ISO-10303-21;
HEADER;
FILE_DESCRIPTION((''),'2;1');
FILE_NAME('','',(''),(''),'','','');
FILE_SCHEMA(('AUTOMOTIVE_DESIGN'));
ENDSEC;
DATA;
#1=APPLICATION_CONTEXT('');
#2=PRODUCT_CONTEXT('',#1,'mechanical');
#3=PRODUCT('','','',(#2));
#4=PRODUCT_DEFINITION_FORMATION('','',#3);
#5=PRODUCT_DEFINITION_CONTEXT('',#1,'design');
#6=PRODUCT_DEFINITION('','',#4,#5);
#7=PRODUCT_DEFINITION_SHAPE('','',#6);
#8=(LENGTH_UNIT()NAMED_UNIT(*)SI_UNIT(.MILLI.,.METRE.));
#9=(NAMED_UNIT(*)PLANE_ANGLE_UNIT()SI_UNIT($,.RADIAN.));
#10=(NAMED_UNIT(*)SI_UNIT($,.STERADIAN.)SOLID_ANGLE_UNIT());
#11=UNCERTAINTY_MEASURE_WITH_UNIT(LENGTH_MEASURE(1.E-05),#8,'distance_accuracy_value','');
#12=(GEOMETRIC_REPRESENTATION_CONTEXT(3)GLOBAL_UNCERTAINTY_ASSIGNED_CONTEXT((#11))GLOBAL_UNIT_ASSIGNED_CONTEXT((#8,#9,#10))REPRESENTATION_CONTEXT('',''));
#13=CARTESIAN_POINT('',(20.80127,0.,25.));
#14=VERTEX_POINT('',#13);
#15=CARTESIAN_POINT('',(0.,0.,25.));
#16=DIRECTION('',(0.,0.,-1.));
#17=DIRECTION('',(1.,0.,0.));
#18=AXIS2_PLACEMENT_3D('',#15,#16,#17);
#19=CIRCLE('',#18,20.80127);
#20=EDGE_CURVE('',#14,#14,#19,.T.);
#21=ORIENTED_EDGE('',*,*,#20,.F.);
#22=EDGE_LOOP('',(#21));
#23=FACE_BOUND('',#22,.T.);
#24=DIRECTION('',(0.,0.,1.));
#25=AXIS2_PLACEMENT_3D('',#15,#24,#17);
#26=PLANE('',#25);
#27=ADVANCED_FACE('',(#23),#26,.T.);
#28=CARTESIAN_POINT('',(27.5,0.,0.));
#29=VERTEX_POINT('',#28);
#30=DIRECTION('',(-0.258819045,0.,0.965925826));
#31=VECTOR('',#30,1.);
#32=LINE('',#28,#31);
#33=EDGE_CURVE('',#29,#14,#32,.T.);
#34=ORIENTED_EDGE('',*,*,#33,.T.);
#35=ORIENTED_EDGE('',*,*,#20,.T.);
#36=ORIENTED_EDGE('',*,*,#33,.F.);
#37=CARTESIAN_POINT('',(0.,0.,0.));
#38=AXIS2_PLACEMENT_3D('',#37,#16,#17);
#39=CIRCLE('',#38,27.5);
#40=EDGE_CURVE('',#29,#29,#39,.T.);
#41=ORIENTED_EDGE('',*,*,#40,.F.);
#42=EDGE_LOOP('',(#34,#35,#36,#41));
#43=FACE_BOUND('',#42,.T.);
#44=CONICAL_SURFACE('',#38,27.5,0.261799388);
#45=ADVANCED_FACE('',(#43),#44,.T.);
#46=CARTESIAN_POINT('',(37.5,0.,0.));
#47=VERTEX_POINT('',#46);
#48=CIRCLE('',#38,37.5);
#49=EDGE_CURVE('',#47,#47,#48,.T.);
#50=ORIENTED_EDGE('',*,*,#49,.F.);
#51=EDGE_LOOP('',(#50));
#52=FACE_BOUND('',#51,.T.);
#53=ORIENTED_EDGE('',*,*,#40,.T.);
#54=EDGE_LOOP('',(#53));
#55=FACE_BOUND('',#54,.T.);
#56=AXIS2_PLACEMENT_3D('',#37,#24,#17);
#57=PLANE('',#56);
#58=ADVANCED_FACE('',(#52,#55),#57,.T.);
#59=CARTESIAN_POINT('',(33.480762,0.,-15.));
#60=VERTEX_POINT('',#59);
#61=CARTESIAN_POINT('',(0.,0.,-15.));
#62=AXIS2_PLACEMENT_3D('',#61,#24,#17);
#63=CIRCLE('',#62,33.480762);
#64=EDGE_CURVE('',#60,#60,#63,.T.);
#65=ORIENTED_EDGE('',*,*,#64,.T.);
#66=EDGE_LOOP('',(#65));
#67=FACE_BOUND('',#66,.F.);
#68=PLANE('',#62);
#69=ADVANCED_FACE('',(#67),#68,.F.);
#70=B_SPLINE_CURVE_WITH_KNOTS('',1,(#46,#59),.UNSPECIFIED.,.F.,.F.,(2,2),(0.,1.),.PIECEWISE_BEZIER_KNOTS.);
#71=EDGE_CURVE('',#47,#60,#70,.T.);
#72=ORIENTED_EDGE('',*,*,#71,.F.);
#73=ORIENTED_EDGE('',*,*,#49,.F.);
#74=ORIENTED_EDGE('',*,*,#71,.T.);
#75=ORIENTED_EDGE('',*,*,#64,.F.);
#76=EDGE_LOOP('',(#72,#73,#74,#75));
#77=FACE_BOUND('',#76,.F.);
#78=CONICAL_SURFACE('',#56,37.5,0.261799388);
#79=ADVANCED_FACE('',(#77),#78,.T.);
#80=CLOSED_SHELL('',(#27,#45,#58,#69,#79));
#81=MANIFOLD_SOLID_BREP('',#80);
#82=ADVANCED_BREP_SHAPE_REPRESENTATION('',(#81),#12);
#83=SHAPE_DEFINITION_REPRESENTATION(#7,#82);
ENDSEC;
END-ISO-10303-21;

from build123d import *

# Parameters (mm, degrees)
F0_R     = 27.5
F1_DEPTH = 25
F1_TAPER = 15
F0_R_2   = 37.5
F2_DEPTH = 15
F2_TAPER = 15


with BuildPart() as f1:
    # F0 (on Top) → F1 (new body)
    with BuildSketch(Plane.XY):
        Circle(F0_R)
    extrude(amount=F1_DEPTH, taper=F1_TAPER)

    # F0 (on Top) → F2 (join)
    with BuildSketch(Plane.XY):
        Circle(F0_R_2)
        Circle(F0_R, mode=Mode.SUBTRACT)
        Circle(F0_R)
    extrude(amount=-F2_DEPTH, taper=F2_TAPER)


solid = f1.part
